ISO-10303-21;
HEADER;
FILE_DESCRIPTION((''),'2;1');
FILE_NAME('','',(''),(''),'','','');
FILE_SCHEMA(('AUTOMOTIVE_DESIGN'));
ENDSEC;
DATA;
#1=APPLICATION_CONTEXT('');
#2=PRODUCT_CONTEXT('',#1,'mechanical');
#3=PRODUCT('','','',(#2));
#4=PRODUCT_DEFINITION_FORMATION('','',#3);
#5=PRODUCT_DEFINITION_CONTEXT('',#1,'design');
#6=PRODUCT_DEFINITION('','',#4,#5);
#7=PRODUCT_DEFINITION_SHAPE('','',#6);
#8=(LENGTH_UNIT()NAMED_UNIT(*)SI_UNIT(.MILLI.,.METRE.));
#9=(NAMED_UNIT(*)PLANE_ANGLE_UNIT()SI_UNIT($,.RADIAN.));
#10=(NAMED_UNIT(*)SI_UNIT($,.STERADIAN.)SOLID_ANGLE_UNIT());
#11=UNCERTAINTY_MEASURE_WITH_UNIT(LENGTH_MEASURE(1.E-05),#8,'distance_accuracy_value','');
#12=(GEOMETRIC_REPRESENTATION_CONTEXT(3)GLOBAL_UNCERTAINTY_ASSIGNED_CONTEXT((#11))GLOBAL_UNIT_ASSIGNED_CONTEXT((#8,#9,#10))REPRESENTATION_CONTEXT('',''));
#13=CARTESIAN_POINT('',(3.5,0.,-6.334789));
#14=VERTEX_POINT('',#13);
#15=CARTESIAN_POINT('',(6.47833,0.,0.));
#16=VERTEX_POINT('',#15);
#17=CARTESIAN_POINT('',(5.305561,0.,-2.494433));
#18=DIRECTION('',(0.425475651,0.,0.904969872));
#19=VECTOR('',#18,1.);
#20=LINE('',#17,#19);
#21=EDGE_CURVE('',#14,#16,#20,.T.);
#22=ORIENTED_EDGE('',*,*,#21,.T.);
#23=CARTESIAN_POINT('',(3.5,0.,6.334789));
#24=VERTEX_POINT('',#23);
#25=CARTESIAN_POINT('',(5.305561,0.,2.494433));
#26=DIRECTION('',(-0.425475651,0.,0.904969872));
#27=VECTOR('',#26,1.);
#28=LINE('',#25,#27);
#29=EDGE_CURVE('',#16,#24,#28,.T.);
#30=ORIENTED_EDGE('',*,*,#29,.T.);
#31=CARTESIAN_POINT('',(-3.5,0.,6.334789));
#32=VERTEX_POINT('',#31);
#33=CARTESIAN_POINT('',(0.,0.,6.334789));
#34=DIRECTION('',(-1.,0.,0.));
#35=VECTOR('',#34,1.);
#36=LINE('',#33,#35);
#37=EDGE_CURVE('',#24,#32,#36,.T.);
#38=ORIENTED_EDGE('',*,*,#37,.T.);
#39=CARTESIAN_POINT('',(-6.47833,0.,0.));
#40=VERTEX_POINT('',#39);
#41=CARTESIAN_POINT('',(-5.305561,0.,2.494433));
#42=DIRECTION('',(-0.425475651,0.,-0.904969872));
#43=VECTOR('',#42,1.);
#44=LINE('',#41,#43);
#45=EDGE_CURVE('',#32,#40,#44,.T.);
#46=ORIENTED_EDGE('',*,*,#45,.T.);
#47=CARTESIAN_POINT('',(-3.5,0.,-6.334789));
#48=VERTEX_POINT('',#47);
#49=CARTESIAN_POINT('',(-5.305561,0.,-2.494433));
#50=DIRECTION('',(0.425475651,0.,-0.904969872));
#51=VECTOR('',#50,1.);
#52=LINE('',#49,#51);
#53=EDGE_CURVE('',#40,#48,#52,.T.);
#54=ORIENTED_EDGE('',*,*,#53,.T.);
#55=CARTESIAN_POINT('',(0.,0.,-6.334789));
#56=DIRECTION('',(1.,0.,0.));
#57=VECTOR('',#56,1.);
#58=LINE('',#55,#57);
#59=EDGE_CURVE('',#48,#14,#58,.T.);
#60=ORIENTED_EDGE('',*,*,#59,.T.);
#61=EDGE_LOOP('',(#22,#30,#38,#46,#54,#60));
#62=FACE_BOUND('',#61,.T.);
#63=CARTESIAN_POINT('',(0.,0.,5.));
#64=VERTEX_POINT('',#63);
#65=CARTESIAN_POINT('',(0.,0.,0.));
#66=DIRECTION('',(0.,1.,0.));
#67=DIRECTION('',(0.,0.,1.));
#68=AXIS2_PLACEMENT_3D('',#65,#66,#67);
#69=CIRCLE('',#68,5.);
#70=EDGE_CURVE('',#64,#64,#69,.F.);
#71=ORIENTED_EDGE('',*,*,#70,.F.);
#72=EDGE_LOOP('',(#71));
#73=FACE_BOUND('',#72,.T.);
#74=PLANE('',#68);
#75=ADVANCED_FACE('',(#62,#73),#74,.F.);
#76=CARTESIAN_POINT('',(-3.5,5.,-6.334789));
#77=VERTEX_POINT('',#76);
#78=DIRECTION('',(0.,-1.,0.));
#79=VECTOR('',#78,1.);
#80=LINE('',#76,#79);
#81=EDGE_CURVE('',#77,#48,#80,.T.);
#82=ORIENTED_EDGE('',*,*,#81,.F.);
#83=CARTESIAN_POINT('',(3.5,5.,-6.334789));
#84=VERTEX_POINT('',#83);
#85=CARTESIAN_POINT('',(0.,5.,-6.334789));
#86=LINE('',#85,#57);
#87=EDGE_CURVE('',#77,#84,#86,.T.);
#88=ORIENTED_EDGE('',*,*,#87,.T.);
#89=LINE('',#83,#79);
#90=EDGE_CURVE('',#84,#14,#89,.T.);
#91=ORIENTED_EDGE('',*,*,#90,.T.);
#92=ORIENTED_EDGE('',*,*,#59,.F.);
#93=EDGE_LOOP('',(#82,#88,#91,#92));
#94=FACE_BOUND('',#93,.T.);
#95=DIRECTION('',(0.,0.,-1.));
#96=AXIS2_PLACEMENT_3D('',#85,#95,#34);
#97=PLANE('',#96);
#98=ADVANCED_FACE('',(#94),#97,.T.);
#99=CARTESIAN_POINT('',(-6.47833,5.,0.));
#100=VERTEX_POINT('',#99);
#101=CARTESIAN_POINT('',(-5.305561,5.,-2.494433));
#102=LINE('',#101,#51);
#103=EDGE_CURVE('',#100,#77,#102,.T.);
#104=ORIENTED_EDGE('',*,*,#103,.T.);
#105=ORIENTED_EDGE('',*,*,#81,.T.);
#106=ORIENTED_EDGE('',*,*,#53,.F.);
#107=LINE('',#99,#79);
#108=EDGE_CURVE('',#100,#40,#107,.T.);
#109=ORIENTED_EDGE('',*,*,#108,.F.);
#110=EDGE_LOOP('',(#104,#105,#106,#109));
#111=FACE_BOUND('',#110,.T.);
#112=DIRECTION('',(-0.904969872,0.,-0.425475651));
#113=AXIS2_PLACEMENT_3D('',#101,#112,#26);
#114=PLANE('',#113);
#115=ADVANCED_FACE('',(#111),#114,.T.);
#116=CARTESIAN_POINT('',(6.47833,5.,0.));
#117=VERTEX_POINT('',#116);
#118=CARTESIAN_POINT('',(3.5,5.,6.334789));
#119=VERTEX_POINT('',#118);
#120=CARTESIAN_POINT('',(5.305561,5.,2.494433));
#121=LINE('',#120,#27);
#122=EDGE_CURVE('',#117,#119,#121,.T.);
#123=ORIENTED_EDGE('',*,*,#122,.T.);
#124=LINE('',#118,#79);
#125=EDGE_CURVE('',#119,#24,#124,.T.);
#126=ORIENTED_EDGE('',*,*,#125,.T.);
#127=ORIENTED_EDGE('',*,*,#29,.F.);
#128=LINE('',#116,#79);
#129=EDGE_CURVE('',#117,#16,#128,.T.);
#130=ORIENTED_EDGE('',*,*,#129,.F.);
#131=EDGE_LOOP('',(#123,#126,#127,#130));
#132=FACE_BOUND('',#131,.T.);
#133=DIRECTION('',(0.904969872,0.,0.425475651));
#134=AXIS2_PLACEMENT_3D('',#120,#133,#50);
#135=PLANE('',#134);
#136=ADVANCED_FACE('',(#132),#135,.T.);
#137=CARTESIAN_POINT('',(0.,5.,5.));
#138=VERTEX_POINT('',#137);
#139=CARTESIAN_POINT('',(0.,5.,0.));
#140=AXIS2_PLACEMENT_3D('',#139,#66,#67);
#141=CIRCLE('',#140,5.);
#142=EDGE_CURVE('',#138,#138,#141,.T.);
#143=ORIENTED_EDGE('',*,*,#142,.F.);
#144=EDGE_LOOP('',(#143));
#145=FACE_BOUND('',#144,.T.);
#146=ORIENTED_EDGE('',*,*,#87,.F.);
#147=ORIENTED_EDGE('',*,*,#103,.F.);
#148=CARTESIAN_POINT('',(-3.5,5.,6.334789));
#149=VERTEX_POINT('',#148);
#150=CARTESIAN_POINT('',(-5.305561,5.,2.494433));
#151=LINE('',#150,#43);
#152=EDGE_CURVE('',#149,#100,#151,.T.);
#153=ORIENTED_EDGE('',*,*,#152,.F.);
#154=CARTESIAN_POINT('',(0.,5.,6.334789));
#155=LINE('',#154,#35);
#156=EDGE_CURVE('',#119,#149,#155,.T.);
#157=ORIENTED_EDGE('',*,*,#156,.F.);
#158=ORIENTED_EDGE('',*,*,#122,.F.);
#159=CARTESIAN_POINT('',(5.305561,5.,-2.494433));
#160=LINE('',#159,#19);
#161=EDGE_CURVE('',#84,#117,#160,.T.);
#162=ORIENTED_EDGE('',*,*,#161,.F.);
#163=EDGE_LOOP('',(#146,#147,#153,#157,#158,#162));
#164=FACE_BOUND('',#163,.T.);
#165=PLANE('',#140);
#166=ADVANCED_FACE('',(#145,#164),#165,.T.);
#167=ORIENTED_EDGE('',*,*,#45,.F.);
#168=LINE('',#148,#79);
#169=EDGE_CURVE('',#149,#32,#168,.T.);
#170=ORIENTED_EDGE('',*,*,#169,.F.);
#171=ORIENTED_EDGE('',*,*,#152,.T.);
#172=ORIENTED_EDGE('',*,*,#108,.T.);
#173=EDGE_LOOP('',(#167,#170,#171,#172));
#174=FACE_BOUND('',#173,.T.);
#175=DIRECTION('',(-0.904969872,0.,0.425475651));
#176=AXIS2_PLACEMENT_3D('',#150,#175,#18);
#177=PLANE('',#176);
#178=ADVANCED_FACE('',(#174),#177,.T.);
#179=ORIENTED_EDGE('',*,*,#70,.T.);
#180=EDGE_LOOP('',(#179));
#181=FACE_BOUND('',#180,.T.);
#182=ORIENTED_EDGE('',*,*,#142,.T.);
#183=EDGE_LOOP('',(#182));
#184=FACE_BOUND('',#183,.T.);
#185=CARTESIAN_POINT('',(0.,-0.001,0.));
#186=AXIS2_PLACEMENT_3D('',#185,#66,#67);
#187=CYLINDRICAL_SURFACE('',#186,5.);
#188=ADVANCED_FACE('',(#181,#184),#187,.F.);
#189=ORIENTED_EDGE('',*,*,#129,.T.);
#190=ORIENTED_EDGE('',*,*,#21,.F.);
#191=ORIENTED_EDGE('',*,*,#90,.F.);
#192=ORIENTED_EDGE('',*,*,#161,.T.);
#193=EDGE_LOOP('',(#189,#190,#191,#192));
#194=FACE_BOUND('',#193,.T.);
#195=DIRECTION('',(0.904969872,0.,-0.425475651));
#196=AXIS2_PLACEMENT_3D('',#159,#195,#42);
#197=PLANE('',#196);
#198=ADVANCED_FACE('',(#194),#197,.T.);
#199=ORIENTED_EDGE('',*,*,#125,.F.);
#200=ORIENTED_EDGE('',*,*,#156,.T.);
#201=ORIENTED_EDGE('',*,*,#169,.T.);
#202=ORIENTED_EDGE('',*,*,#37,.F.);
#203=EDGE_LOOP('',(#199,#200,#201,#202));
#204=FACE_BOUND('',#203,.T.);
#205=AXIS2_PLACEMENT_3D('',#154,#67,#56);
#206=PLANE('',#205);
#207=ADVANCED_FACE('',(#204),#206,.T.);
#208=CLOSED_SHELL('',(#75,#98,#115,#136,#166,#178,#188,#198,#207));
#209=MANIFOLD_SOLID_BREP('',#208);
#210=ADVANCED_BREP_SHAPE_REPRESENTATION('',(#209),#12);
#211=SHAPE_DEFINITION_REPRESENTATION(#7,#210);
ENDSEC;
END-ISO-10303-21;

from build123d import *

# Parameters (mm, degrees)
EXTRUDE_1_DEPTH     = 5
CUT_EXTRUDE_1_REACH = 12.349
SKETCH_2_R          = 5


with BuildPart() as part:
    # 草图1 → 凸台-拉伸1 (new body)
    with BuildSketch(Plane(origin=(0, 0, 0), x_dir=(1, 0, 0), z_dir=(0, 1, 0))):
        Polygon((-6.47832956, 0), (6.47832956, 0), (3.5, -6.334789107), (-3.5, -6.334789107), align=None)
        Polygon((-6.47832956, 0), (-3.5, 6.334789107), (3.5, 6.334789107), (6.47832956, 0), align=None)
    extrude(amount=EXTRUDE_1_DEPTH)

    # 草图2 → 切除-拉伸1 (cut, up to next)
    with BuildSketch(Plane(origin=(0, 5, 0), x_dir=(1, 0, 0), z_dir=(0, 1, 0)), mode=Mode.PRIVATE) as cut_extrude_1_sk1:
        with Locations(Location((0, 0, 0), (0, 0, 270))):
            Circle(SKETCH_2_R)
    cut_extrude_1_tool1 = extrude(cut_extrude_1_sk1.sketch, amount=-CUT_EXTRUDE_1_REACH, mode=Mode.PRIVATE) & part.part
    add(cut_extrude_1_tool1.solids().sort_by_distance((0, 5, 0))[0], mode=Mode.SUBTRACT)


solid = part.part
